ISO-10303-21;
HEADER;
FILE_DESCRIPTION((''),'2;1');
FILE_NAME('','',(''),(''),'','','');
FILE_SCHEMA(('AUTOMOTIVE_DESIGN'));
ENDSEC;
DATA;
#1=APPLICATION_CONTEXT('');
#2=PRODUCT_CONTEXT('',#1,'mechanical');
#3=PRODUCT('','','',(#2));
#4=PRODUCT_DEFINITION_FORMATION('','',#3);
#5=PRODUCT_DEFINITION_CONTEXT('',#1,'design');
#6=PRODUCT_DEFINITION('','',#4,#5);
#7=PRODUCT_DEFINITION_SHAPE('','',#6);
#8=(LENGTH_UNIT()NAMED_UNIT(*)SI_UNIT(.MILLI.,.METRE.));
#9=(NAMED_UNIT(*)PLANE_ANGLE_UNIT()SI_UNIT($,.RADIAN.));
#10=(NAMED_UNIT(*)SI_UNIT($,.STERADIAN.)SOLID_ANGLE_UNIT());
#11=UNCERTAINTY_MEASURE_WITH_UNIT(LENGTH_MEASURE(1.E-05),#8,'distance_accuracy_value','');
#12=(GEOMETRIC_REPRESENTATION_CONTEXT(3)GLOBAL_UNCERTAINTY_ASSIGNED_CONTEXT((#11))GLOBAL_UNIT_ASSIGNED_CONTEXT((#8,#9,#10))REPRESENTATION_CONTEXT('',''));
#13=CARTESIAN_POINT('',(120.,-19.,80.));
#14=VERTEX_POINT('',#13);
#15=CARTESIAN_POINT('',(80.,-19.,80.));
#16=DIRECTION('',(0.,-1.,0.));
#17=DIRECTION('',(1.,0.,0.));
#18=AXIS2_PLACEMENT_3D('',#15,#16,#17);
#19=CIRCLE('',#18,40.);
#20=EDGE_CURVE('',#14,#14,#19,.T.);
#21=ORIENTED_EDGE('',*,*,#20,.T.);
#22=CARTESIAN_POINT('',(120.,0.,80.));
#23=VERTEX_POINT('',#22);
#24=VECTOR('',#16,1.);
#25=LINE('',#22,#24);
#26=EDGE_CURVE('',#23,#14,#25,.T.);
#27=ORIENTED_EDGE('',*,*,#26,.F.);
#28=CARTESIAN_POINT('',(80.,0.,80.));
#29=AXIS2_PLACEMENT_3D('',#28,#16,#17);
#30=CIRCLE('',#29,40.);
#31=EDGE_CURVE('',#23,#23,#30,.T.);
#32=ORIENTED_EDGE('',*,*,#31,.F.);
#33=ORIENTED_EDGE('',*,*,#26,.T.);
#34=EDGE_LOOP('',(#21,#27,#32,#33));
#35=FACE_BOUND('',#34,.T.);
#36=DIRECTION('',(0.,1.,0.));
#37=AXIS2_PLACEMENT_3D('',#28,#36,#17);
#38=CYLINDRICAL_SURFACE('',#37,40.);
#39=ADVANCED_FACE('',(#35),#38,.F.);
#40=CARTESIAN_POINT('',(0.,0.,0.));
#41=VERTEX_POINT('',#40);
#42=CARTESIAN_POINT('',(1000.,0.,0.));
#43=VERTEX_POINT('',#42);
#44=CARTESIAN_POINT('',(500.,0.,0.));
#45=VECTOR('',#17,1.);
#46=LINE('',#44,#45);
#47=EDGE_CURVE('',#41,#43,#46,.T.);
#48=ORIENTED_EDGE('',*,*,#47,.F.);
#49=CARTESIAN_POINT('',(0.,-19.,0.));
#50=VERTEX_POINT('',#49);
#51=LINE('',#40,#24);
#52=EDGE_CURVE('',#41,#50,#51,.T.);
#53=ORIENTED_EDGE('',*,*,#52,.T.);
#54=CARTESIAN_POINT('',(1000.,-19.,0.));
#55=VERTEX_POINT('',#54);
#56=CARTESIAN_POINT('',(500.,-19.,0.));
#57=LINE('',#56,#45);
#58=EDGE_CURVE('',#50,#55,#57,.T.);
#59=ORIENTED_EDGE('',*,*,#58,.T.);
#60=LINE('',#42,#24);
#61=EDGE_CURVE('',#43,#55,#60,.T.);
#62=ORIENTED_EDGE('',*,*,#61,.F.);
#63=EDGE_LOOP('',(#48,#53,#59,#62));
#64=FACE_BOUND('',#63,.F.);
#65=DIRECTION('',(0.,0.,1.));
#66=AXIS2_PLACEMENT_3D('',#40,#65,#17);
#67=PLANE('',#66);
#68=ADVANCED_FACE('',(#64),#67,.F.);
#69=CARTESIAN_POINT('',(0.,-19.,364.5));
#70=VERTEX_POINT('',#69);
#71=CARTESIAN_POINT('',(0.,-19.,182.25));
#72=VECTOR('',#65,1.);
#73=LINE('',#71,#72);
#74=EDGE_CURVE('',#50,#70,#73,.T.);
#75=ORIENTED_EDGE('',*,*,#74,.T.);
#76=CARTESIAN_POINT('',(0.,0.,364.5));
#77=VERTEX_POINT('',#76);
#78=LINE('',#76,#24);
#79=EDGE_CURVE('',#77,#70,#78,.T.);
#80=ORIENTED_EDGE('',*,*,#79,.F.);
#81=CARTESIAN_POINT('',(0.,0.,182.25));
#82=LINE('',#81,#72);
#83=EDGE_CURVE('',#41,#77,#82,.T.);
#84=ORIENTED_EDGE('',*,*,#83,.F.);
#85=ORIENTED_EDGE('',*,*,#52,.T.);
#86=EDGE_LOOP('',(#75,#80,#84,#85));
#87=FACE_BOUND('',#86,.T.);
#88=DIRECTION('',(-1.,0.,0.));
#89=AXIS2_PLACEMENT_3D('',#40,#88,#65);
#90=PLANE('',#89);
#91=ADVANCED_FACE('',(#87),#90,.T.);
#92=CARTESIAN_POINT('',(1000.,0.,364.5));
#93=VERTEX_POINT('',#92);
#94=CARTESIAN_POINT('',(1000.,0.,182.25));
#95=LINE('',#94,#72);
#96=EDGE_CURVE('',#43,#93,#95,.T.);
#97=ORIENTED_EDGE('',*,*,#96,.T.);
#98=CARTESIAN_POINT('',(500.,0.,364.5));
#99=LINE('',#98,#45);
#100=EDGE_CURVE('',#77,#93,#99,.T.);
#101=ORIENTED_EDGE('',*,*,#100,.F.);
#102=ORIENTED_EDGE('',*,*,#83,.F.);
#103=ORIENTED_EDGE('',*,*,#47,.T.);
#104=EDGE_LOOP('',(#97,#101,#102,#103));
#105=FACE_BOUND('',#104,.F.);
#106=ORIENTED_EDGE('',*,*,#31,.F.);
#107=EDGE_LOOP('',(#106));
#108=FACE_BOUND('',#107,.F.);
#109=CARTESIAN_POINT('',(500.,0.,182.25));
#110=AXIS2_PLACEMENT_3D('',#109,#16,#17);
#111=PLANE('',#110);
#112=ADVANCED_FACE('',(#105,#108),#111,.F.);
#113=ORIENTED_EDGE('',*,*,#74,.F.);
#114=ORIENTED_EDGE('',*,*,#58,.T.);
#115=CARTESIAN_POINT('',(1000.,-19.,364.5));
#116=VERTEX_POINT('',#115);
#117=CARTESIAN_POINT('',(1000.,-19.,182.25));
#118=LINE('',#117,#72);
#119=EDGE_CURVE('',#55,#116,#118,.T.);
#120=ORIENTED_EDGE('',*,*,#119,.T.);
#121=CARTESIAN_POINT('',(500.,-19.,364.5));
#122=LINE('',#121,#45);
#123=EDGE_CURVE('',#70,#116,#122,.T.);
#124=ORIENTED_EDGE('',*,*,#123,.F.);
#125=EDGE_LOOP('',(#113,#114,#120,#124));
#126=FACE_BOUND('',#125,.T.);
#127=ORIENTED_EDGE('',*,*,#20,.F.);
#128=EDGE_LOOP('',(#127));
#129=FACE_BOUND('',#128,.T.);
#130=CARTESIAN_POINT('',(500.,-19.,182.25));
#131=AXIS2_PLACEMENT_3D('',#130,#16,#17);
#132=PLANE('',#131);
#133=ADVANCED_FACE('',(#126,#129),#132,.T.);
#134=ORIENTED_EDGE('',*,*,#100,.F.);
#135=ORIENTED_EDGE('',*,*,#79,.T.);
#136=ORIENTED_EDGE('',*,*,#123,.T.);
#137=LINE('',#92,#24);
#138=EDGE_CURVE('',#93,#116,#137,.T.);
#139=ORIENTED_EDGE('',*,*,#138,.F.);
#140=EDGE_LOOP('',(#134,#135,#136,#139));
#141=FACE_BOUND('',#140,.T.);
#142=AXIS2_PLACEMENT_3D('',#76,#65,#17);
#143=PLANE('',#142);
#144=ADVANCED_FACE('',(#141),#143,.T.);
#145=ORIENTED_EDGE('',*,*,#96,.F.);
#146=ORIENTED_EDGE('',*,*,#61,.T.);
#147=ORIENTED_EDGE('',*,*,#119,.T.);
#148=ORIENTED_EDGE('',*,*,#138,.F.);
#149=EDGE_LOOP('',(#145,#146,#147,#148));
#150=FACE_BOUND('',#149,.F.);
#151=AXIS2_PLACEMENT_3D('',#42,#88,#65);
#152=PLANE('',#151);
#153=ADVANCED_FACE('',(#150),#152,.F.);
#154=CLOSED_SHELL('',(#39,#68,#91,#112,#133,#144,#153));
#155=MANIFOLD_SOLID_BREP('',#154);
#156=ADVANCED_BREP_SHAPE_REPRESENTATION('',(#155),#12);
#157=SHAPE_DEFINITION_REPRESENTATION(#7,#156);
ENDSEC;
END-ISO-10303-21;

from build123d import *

# Parameters (mm, degrees)
F1_W     = 1000
F1_H     = 364.5
F1_R     = 40
F2_DEPTH = 19


with BuildPart() as f2:
    # F1 (on Front) → F2 (new body)
    with BuildSketch(Plane.XZ):
        with Locations((500, 207.25)):
            Rectangle(F1_W, F1_H)
        with Locations((80, 105)):
            Circle(F1_R, mode=Mode.SUBTRACT)
    extrude(amount=F2_DEPTH)


with BuildPart() as f2_1:
    # F3: moved
    add(f2.part.moved(Location((0, 0, -25))))


solid = f2_1.part
